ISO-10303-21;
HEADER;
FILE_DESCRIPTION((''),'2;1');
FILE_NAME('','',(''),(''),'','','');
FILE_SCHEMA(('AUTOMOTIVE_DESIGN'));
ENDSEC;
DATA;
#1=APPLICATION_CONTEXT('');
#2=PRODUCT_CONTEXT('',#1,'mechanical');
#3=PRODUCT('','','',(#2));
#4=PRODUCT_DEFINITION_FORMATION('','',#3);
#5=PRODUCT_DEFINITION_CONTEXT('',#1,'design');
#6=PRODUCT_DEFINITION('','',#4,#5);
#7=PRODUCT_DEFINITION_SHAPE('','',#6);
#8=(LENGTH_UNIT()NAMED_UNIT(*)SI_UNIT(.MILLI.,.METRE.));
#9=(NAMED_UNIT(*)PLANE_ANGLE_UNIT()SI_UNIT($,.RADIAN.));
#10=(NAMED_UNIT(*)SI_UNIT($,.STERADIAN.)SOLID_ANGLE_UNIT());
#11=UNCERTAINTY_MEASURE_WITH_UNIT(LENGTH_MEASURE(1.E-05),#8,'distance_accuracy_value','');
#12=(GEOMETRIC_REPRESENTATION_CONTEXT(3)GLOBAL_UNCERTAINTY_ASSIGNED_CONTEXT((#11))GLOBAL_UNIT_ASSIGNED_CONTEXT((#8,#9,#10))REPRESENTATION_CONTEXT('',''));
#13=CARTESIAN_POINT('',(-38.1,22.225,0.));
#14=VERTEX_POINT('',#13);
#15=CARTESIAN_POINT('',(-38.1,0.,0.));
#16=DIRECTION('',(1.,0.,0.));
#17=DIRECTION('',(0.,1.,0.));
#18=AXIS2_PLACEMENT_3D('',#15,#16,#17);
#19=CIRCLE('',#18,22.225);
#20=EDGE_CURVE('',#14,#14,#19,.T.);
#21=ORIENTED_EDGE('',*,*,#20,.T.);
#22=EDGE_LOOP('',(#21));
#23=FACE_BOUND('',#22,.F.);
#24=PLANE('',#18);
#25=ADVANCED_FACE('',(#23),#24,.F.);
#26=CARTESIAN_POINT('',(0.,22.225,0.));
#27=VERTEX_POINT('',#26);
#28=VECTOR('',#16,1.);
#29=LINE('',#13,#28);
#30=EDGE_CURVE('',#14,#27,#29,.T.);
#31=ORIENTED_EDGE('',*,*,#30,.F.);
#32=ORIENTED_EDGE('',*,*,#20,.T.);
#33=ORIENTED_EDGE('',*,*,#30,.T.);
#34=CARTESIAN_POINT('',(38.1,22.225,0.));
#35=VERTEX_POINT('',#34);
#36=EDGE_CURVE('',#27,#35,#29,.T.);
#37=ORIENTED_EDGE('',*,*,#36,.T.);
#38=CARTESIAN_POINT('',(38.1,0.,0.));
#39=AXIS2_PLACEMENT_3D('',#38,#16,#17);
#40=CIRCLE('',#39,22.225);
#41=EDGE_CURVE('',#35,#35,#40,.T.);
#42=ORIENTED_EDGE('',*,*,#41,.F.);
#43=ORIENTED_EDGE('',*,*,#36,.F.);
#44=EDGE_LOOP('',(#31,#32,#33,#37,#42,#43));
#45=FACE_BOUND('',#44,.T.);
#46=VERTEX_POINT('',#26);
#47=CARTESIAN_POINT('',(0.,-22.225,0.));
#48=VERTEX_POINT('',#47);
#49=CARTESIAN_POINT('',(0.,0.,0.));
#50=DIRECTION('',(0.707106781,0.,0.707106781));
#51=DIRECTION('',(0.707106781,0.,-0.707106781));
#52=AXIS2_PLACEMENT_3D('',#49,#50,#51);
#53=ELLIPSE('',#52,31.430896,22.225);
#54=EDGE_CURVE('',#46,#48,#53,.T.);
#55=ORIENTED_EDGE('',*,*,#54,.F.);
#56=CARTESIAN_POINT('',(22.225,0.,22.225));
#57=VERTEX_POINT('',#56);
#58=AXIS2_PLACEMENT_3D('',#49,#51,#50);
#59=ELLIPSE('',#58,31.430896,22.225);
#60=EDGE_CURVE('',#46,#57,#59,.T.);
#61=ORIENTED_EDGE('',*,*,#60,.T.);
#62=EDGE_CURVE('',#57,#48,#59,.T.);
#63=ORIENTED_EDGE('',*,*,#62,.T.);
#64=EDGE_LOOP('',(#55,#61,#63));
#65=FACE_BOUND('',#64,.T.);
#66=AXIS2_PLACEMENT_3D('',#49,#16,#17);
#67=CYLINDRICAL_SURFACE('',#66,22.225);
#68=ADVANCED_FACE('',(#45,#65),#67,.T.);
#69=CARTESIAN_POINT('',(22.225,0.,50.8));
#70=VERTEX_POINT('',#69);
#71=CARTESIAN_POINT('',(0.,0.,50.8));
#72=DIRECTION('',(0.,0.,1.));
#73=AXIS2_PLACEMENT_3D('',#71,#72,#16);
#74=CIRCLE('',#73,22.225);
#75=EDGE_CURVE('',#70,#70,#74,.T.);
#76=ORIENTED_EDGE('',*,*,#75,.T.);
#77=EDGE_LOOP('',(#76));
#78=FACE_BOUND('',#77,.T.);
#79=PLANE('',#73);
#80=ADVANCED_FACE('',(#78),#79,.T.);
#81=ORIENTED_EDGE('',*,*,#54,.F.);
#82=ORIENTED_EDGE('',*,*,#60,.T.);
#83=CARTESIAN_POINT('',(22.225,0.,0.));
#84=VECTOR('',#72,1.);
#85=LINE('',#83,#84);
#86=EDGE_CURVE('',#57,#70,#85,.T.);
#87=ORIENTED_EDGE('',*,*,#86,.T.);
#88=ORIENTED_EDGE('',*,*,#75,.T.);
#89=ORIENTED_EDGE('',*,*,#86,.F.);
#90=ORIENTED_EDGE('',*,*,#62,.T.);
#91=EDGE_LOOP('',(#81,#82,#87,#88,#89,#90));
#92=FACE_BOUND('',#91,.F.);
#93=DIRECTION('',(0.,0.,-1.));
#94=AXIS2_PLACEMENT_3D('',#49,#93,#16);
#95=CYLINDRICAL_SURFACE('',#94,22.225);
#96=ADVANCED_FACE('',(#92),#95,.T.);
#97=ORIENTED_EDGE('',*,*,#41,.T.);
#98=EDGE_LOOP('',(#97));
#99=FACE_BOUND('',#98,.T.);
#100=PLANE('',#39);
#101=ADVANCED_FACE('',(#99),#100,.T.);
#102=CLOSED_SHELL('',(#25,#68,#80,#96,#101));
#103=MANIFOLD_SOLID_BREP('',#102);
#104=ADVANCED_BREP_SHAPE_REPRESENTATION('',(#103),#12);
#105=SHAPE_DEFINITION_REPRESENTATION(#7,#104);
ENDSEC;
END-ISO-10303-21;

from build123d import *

# Parameters (mm, degrees)
F1_R     = 22.225
F2_DEPTH = 38.1
F0_R     = 22.225
F3_DEPTH = 50.8


with BuildPart() as f2:
    # F1 (on Right) → F2 (new body, symmetric)
    with BuildSketch(Plane.YZ):
        Circle(F1_R)
    extrude(amount=F2_DEPTH, both=True)

    # F0 (on Top) → F3 (join)
    with BuildSketch(Plane.XY):
        Circle(F0_R)
    extrude(amount=F3_DEPTH)


solid = f2.part
